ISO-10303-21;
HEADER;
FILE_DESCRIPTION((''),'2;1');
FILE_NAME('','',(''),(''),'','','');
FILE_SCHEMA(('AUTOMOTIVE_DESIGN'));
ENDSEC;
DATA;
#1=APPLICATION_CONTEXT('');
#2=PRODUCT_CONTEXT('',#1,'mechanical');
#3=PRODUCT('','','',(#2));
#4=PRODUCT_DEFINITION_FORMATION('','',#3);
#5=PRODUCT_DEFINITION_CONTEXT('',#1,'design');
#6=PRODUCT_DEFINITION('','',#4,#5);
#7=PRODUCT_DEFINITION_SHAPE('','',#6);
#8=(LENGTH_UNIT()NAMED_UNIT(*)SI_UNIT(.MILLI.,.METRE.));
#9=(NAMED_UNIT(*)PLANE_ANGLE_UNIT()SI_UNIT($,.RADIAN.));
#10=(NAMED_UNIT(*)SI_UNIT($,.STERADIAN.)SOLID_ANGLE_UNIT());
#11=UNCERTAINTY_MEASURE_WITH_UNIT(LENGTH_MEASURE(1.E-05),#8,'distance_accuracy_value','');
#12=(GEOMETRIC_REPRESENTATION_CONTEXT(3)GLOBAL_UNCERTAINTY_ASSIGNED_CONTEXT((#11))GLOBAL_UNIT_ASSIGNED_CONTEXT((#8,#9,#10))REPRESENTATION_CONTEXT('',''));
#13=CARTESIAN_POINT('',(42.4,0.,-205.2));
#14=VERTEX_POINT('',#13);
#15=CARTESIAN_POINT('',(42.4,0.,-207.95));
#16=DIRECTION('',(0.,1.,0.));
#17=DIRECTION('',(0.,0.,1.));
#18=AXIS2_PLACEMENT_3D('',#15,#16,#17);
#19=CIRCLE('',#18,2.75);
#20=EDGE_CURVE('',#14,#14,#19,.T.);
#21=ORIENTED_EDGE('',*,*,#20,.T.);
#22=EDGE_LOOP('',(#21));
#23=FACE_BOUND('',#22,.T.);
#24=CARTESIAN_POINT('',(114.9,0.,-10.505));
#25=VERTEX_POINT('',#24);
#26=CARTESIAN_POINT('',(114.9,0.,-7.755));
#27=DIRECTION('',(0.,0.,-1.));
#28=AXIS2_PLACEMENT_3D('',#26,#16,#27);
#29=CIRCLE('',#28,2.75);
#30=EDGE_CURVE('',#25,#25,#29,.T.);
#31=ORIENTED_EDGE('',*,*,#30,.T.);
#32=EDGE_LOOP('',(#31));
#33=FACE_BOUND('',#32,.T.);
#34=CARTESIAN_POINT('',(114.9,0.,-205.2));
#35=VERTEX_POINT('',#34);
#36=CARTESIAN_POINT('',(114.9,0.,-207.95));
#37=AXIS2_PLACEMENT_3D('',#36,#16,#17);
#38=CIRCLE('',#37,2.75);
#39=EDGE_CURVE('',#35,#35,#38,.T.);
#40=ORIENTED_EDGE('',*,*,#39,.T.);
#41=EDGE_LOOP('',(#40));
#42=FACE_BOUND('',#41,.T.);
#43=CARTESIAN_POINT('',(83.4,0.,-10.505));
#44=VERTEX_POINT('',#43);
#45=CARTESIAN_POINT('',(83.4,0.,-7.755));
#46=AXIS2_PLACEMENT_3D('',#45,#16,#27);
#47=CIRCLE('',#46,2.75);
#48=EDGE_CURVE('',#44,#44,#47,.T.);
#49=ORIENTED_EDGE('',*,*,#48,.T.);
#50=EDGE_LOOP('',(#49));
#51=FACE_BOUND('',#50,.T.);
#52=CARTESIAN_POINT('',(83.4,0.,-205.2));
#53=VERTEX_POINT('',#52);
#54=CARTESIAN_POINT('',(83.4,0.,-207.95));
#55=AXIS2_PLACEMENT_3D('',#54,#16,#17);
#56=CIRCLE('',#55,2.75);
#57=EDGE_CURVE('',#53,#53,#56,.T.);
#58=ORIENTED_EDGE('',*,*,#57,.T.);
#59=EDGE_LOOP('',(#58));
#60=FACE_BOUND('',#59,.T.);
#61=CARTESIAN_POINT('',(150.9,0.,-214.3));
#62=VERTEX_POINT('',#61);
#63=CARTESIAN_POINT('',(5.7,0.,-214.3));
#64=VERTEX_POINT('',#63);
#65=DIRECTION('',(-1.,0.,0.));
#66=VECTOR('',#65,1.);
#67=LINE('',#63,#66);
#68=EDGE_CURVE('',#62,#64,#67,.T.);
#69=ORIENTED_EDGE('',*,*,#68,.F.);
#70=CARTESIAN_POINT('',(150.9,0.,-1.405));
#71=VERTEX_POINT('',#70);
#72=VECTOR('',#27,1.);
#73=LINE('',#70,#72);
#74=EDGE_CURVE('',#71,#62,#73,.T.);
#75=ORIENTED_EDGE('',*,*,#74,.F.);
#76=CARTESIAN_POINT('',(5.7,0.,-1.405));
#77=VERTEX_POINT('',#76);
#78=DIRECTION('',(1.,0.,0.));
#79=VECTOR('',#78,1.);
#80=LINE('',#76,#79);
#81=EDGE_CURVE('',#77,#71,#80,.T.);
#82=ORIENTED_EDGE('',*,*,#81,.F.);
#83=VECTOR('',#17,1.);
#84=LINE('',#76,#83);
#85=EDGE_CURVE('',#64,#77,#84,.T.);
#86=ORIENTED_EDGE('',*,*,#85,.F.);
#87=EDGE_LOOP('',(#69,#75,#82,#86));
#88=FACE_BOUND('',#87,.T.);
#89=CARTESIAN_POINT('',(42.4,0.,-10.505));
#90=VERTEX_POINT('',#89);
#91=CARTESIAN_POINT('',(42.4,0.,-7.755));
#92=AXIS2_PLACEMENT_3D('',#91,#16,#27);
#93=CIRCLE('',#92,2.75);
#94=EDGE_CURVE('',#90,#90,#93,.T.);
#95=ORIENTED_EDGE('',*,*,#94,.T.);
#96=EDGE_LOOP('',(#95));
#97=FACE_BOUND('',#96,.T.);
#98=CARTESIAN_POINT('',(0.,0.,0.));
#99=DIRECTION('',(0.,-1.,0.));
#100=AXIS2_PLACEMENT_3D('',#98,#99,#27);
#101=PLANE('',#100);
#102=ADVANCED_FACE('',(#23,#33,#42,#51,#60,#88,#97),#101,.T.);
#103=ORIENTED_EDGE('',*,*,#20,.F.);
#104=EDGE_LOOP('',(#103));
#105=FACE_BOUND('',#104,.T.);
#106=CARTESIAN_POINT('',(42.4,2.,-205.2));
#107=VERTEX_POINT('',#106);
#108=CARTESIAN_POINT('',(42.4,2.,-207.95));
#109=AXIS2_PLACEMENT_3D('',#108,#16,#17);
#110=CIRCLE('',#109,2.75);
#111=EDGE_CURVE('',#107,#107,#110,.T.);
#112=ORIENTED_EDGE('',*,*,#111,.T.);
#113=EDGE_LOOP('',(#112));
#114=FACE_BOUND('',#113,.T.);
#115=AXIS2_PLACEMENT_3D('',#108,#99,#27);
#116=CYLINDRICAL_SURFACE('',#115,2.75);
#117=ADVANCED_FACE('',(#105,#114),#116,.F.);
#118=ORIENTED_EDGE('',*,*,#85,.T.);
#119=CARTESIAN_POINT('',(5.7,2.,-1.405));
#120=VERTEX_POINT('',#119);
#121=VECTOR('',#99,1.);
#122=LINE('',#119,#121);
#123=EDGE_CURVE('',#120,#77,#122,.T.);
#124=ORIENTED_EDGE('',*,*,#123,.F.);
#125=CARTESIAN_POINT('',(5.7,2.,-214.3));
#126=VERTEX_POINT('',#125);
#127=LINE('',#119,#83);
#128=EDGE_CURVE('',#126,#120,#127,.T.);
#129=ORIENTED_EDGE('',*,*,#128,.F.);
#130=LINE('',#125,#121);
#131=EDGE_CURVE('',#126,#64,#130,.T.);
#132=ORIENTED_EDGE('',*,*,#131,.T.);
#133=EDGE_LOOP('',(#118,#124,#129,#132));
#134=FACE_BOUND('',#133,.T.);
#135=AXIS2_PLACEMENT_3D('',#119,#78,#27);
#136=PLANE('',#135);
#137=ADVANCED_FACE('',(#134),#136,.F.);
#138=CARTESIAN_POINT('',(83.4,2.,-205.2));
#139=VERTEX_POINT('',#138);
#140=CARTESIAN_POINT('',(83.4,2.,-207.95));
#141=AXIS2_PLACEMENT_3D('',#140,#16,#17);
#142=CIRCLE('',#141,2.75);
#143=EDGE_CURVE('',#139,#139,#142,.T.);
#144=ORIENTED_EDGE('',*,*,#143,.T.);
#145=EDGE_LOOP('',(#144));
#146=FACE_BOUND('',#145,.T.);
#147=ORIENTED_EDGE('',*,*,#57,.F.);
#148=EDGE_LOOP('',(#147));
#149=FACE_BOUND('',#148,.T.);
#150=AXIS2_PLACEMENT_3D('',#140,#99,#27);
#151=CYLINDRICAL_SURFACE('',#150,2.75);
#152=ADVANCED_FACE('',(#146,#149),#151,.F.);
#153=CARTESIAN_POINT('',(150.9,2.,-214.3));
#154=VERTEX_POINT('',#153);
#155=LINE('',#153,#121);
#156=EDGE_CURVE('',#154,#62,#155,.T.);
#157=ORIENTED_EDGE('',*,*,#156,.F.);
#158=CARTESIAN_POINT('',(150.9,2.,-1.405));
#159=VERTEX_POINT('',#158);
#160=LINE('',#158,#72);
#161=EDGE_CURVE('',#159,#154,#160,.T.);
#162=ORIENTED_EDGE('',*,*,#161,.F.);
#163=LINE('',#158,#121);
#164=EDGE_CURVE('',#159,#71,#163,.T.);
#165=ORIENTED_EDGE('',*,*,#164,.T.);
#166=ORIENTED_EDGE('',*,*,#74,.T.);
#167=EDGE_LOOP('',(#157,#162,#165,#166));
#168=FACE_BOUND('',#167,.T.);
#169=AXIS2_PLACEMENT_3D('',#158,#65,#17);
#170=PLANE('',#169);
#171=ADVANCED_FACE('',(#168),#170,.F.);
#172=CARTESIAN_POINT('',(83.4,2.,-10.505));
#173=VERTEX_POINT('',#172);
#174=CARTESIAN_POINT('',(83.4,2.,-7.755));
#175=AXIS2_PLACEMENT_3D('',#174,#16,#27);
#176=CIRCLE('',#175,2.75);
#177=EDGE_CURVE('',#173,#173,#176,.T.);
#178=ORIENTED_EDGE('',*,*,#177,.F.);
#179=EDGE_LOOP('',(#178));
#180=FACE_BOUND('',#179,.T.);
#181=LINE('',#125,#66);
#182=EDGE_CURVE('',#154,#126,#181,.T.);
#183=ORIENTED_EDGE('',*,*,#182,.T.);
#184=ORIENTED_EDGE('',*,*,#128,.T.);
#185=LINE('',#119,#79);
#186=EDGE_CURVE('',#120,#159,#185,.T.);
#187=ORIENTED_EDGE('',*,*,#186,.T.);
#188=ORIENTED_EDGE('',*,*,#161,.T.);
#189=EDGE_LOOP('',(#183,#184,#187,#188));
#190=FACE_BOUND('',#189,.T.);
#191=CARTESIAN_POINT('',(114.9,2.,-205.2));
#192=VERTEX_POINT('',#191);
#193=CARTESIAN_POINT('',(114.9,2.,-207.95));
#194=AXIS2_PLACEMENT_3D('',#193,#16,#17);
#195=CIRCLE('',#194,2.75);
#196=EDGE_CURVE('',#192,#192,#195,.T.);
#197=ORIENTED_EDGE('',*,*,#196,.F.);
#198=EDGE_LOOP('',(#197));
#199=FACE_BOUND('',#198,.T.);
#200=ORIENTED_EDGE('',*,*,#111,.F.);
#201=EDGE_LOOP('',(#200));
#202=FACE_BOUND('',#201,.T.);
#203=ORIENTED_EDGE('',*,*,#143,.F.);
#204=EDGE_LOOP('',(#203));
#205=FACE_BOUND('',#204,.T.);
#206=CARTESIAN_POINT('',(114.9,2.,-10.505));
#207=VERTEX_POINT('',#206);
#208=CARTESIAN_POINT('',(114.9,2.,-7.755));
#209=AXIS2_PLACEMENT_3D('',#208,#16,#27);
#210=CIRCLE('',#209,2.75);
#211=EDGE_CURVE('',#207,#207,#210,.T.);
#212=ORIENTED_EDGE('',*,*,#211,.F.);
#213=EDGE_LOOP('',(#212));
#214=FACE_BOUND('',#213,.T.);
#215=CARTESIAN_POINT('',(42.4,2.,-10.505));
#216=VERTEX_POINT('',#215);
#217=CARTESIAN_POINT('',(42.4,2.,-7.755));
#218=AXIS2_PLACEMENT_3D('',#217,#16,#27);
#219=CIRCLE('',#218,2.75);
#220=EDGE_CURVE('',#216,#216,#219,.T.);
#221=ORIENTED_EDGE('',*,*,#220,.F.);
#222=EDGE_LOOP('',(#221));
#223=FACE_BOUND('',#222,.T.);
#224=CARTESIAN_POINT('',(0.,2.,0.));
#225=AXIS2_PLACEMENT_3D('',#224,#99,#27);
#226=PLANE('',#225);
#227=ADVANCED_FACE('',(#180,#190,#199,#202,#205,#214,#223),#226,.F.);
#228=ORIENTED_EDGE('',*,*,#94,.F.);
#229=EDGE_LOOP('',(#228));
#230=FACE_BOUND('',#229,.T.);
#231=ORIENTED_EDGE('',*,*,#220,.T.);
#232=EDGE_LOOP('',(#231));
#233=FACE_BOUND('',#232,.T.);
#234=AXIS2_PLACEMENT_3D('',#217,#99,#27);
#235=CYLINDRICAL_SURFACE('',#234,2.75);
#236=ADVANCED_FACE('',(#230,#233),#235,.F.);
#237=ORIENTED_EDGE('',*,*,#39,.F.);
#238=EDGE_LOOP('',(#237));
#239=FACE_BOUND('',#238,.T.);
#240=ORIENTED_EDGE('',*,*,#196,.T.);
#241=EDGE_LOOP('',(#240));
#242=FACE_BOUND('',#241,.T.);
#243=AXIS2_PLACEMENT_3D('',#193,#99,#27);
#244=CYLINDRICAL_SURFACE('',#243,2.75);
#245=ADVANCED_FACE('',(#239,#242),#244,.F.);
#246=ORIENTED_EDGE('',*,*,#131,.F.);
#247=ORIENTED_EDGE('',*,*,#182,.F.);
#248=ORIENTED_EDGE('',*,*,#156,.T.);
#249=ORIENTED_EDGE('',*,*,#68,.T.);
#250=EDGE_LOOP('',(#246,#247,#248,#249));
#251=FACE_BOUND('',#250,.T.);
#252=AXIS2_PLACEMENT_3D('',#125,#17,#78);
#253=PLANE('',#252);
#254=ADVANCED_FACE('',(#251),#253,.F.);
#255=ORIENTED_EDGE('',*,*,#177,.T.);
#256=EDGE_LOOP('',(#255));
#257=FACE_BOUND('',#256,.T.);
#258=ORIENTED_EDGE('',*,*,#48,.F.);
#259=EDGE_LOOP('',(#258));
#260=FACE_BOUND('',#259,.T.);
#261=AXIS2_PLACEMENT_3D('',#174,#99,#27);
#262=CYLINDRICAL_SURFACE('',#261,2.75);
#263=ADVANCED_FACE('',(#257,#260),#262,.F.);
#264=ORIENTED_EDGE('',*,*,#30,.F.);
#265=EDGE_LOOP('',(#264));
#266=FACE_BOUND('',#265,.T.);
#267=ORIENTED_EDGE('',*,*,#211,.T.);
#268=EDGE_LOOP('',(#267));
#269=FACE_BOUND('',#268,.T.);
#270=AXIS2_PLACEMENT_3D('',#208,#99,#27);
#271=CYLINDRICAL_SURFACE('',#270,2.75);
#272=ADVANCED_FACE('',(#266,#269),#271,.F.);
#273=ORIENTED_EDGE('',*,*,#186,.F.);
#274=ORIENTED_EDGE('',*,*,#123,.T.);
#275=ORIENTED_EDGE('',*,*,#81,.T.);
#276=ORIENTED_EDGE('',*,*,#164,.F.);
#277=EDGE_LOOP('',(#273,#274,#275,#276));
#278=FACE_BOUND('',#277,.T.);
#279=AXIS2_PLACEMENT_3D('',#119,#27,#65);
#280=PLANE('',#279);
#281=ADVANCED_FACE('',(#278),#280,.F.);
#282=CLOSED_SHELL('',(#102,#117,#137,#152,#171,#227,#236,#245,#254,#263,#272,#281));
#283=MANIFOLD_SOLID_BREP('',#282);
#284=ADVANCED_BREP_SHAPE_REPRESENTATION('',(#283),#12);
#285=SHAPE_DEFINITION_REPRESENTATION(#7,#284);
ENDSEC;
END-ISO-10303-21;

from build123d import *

# Parameters (mm, degrees)
SKETCH1_W           = 145.2
SKETCH1_H           = 212.895
SKETCH1_R           = 2.75
BOSS_EXTRUDE1_DEPTH = 2


with BuildPart() as part:
    # Sketch1 → Boss-Extrude1 (new body)
    with BuildSketch(Plane(origin=(0, 0, 0), x_dir=(1, 0, 0), z_dir=(0, 1, 0))):
        with Locations((78.3, 107.8525)):
            Rectangle(SKETCH1_W, SKETCH1_H)
        with Locations(Location((42.4, 207.95, 0), (0, 0, 270))):
            Circle(SKETCH1_R, mode=Mode.SUBTRACT)
        with Locations(Location((83.4, 207.95, 0), (0, 0, 270))):
            Circle(SKETCH1_R, mode=Mode.SUBTRACT)
        with Locations(Location((114.9, 207.95, 0), (0, 0, 270))):
            Circle(SKETCH1_R, mode=Mode.SUBTRACT)
        with Locations(Location((114.9, 7.755, 0), (0, 0, 90))):
            Circle(SKETCH1_R, mode=Mode.SUBTRACT)
        with Locations(Location((83.4, 7.755, 0), (0, 0, 90))):
            Circle(SKETCH1_R, mode=Mode.SUBTRACT)
        with Locations(Location((42.4, 7.755, 0), (0, 0, 90))):
            Circle(SKETCH1_R, mode=Mode.SUBTRACT)
    extrude(amount=BOSS_EXTRUDE1_DEPTH)


solid = part.part
